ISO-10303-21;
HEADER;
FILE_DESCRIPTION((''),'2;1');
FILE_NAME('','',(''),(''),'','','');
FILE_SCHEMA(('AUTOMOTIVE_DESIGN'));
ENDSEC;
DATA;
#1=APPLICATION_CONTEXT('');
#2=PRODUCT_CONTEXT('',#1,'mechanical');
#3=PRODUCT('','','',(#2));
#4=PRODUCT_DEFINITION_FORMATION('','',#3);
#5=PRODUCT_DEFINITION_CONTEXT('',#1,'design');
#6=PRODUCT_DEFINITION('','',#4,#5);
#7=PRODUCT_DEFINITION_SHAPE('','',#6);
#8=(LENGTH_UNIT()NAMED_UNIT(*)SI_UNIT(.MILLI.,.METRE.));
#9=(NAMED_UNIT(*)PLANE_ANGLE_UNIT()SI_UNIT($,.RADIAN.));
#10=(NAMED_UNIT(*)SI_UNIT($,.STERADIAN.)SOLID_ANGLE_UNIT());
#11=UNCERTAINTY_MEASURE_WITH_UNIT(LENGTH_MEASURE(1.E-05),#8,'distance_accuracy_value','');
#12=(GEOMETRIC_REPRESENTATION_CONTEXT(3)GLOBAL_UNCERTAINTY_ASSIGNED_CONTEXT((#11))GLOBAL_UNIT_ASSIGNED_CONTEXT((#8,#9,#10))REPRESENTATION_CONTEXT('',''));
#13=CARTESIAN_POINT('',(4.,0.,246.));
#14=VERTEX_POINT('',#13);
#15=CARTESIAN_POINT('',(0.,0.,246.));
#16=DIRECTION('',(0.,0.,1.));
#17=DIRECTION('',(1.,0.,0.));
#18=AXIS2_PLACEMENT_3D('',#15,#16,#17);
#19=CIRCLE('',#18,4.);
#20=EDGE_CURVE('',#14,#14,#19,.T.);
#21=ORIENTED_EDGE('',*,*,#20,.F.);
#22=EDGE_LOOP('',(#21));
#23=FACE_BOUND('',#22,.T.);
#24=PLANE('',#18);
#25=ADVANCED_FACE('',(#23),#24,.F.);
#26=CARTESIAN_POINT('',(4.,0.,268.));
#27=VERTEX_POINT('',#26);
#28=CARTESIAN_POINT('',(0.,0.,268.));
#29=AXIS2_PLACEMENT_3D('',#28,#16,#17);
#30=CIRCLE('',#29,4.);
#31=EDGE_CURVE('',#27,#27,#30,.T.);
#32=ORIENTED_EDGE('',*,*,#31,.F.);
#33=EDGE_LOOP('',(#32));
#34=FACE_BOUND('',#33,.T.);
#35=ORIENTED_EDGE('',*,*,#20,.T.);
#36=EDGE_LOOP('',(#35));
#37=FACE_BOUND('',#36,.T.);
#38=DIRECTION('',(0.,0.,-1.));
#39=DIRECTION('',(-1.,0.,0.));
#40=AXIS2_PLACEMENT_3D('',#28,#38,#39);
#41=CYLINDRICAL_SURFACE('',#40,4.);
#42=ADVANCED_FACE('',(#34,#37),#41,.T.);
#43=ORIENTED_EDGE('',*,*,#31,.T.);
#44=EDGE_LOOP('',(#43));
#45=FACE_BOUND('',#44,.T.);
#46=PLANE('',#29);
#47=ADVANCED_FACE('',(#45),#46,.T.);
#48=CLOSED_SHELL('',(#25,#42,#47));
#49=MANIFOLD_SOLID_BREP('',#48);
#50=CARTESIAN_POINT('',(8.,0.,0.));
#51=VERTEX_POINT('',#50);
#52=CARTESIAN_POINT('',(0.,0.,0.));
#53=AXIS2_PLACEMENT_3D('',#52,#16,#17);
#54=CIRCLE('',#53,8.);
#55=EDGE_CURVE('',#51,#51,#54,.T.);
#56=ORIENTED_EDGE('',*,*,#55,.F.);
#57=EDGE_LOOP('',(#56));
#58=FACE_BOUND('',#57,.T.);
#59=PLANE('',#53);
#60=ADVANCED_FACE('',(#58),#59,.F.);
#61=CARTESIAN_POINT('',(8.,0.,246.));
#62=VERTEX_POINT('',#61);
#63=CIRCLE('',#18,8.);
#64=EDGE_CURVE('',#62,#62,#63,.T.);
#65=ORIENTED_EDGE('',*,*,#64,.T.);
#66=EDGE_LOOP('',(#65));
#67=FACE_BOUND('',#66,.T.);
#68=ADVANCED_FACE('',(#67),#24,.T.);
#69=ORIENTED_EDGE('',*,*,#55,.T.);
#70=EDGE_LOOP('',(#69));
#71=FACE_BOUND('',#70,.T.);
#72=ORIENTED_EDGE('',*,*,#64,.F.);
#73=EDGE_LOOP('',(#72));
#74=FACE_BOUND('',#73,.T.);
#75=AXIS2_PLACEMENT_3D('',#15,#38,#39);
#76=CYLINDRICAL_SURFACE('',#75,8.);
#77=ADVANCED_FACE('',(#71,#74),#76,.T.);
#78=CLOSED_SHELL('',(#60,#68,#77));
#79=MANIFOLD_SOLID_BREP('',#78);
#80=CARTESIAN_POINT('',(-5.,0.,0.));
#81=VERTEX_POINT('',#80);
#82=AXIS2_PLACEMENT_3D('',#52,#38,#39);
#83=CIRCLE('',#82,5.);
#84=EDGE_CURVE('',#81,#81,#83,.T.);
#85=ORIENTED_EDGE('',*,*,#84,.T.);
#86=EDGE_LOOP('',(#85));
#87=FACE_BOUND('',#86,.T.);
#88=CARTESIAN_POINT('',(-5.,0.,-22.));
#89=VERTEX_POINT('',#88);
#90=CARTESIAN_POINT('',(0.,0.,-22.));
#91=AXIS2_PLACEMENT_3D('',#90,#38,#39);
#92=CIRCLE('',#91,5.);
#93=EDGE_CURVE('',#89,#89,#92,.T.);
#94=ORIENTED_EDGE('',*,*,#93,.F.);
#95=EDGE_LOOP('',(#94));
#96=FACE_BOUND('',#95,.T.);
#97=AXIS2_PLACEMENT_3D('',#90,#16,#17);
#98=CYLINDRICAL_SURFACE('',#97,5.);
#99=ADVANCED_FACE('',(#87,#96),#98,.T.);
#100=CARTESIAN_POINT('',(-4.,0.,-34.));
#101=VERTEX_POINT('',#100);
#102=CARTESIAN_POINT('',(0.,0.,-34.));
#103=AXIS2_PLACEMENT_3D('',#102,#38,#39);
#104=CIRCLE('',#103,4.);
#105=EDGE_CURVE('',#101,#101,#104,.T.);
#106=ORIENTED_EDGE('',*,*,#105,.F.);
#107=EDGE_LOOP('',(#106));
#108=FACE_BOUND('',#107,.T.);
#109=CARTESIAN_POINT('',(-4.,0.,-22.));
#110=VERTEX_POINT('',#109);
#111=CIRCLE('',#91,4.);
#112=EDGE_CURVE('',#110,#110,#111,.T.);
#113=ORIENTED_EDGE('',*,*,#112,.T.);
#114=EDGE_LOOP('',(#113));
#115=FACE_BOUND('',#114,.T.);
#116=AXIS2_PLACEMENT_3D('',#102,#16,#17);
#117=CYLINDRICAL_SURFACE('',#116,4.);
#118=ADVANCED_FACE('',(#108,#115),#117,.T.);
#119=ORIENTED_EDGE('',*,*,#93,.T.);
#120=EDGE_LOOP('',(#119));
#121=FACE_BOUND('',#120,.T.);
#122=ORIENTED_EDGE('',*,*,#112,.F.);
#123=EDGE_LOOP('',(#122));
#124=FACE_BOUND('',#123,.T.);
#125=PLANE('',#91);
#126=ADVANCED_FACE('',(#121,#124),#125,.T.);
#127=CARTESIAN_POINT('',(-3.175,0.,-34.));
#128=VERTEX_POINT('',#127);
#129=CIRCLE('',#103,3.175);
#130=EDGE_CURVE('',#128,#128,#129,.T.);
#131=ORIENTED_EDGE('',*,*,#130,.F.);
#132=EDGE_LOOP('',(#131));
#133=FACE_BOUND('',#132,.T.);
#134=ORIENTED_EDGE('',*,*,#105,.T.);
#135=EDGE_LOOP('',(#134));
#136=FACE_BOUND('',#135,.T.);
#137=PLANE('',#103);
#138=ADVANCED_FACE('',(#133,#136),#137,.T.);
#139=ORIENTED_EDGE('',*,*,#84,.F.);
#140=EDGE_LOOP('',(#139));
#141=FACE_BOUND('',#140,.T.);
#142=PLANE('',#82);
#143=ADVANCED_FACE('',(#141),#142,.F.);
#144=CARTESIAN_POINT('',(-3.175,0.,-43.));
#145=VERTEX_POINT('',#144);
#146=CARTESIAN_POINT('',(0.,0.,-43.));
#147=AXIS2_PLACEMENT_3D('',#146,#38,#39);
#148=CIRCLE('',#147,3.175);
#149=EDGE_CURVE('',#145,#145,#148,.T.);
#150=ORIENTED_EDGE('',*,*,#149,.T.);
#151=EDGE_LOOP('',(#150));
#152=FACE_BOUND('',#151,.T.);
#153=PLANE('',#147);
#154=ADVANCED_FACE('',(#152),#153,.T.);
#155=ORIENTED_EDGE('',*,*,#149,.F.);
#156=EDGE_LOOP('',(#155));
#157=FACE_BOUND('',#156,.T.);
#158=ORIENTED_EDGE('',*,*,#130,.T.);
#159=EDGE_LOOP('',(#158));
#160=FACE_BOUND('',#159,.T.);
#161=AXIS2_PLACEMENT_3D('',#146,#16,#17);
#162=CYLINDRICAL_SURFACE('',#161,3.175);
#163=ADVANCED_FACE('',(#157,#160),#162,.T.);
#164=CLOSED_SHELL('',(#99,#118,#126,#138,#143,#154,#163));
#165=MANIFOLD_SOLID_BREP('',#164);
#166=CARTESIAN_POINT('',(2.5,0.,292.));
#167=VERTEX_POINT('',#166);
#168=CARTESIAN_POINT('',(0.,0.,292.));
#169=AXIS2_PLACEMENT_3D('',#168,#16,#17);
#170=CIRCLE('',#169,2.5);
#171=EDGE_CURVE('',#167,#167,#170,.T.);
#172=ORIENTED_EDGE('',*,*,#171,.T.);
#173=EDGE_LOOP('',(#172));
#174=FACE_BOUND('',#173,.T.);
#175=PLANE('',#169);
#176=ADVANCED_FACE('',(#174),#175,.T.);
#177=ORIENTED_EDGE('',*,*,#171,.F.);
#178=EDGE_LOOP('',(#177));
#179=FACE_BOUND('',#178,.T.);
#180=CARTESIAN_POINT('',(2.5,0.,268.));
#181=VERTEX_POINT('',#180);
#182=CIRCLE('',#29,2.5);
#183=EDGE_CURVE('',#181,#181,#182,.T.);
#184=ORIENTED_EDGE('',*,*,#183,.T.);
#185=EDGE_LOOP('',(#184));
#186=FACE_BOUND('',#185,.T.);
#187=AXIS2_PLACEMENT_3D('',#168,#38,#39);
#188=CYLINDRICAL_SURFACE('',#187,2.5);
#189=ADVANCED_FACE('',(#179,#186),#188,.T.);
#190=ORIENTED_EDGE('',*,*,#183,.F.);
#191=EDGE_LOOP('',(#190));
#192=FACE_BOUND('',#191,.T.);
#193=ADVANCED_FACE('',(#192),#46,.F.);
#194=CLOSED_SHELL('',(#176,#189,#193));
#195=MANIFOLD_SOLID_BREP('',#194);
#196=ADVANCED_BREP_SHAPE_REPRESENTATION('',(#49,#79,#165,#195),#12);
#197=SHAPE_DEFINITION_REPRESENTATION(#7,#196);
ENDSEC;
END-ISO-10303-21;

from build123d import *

# Parameters (mm, degrees)
SKETCH_1_R      = 8
EXTRUDE_1_DEPTH = 246
SKETCH_2_R      = 4
EXTRUDE_2_DEPTH = 22
SKETCH_4_R      = 5
EXTRUDE_3_DEPTH = 22
SKETCH_5_R      = 2.5
EXTRUDE_4_DEPTH = 24
SKETCH_9_R      = 4
EXTRUDE_5_DEPTH = 12
SKETCH_10_R     = 3.175
EXTRUDE_6_DEPTH = 9


with BuildPart() as part:
    # 草图1 → 凸台-拉伸1 (new body)
    with BuildSketch(Plane.XY):
        Circle(SKETCH_1_R)
    extrude(amount=EXTRUDE_1_DEPTH)


with BuildPart() as body_2:
    # 草图2 → 凸台-拉伸2 (new body)
    with BuildSketch(Plane.XY.offset(246)):
        Circle(SKETCH_2_R)
    extrude(amount=EXTRUDE_2_DEPTH)


with BuildPart() as body_3:
    # 草图4 → 凸台-拉伸3 (new body)
    with BuildSketch(Plane(origin=(0, 0, 0), x_dir=(-1, 0, 0), z_dir=(0, 0, -1))):
        Circle(SKETCH_4_R)
    extrude(amount=EXTRUDE_3_DEPTH)

    # 草图9 → 凸台-拉伸5 (add)
    with BuildSketch(Plane(origin=(0, 0, -22), x_dir=(-1, 0, 0), z_dir=(0, 0, -1))):
        Circle(SKETCH_9_R)
    extrude(amount=EXTRUDE_5_DEPTH)

    # 草图10 → 凸台-拉伸6 (add)
    with BuildSketch(Plane(origin=(0, 0, -34), x_dir=(-1, 0, 0), z_dir=(0, 0, -1))):
        Circle(SKETCH_10_R)
    extrude(amount=EXTRUDE_6_DEPTH)


with BuildPart() as body_4:
    # 草图5 → 凸台-拉伸4 (new body)
    with BuildSketch(Plane.XY.offset(268)):
        Circle(SKETCH_5_R)
    extrude(amount=EXTRUDE_4_DEPTH)


solid = Compound([part.part, body_2.part, body_3.part, body_4.part])
